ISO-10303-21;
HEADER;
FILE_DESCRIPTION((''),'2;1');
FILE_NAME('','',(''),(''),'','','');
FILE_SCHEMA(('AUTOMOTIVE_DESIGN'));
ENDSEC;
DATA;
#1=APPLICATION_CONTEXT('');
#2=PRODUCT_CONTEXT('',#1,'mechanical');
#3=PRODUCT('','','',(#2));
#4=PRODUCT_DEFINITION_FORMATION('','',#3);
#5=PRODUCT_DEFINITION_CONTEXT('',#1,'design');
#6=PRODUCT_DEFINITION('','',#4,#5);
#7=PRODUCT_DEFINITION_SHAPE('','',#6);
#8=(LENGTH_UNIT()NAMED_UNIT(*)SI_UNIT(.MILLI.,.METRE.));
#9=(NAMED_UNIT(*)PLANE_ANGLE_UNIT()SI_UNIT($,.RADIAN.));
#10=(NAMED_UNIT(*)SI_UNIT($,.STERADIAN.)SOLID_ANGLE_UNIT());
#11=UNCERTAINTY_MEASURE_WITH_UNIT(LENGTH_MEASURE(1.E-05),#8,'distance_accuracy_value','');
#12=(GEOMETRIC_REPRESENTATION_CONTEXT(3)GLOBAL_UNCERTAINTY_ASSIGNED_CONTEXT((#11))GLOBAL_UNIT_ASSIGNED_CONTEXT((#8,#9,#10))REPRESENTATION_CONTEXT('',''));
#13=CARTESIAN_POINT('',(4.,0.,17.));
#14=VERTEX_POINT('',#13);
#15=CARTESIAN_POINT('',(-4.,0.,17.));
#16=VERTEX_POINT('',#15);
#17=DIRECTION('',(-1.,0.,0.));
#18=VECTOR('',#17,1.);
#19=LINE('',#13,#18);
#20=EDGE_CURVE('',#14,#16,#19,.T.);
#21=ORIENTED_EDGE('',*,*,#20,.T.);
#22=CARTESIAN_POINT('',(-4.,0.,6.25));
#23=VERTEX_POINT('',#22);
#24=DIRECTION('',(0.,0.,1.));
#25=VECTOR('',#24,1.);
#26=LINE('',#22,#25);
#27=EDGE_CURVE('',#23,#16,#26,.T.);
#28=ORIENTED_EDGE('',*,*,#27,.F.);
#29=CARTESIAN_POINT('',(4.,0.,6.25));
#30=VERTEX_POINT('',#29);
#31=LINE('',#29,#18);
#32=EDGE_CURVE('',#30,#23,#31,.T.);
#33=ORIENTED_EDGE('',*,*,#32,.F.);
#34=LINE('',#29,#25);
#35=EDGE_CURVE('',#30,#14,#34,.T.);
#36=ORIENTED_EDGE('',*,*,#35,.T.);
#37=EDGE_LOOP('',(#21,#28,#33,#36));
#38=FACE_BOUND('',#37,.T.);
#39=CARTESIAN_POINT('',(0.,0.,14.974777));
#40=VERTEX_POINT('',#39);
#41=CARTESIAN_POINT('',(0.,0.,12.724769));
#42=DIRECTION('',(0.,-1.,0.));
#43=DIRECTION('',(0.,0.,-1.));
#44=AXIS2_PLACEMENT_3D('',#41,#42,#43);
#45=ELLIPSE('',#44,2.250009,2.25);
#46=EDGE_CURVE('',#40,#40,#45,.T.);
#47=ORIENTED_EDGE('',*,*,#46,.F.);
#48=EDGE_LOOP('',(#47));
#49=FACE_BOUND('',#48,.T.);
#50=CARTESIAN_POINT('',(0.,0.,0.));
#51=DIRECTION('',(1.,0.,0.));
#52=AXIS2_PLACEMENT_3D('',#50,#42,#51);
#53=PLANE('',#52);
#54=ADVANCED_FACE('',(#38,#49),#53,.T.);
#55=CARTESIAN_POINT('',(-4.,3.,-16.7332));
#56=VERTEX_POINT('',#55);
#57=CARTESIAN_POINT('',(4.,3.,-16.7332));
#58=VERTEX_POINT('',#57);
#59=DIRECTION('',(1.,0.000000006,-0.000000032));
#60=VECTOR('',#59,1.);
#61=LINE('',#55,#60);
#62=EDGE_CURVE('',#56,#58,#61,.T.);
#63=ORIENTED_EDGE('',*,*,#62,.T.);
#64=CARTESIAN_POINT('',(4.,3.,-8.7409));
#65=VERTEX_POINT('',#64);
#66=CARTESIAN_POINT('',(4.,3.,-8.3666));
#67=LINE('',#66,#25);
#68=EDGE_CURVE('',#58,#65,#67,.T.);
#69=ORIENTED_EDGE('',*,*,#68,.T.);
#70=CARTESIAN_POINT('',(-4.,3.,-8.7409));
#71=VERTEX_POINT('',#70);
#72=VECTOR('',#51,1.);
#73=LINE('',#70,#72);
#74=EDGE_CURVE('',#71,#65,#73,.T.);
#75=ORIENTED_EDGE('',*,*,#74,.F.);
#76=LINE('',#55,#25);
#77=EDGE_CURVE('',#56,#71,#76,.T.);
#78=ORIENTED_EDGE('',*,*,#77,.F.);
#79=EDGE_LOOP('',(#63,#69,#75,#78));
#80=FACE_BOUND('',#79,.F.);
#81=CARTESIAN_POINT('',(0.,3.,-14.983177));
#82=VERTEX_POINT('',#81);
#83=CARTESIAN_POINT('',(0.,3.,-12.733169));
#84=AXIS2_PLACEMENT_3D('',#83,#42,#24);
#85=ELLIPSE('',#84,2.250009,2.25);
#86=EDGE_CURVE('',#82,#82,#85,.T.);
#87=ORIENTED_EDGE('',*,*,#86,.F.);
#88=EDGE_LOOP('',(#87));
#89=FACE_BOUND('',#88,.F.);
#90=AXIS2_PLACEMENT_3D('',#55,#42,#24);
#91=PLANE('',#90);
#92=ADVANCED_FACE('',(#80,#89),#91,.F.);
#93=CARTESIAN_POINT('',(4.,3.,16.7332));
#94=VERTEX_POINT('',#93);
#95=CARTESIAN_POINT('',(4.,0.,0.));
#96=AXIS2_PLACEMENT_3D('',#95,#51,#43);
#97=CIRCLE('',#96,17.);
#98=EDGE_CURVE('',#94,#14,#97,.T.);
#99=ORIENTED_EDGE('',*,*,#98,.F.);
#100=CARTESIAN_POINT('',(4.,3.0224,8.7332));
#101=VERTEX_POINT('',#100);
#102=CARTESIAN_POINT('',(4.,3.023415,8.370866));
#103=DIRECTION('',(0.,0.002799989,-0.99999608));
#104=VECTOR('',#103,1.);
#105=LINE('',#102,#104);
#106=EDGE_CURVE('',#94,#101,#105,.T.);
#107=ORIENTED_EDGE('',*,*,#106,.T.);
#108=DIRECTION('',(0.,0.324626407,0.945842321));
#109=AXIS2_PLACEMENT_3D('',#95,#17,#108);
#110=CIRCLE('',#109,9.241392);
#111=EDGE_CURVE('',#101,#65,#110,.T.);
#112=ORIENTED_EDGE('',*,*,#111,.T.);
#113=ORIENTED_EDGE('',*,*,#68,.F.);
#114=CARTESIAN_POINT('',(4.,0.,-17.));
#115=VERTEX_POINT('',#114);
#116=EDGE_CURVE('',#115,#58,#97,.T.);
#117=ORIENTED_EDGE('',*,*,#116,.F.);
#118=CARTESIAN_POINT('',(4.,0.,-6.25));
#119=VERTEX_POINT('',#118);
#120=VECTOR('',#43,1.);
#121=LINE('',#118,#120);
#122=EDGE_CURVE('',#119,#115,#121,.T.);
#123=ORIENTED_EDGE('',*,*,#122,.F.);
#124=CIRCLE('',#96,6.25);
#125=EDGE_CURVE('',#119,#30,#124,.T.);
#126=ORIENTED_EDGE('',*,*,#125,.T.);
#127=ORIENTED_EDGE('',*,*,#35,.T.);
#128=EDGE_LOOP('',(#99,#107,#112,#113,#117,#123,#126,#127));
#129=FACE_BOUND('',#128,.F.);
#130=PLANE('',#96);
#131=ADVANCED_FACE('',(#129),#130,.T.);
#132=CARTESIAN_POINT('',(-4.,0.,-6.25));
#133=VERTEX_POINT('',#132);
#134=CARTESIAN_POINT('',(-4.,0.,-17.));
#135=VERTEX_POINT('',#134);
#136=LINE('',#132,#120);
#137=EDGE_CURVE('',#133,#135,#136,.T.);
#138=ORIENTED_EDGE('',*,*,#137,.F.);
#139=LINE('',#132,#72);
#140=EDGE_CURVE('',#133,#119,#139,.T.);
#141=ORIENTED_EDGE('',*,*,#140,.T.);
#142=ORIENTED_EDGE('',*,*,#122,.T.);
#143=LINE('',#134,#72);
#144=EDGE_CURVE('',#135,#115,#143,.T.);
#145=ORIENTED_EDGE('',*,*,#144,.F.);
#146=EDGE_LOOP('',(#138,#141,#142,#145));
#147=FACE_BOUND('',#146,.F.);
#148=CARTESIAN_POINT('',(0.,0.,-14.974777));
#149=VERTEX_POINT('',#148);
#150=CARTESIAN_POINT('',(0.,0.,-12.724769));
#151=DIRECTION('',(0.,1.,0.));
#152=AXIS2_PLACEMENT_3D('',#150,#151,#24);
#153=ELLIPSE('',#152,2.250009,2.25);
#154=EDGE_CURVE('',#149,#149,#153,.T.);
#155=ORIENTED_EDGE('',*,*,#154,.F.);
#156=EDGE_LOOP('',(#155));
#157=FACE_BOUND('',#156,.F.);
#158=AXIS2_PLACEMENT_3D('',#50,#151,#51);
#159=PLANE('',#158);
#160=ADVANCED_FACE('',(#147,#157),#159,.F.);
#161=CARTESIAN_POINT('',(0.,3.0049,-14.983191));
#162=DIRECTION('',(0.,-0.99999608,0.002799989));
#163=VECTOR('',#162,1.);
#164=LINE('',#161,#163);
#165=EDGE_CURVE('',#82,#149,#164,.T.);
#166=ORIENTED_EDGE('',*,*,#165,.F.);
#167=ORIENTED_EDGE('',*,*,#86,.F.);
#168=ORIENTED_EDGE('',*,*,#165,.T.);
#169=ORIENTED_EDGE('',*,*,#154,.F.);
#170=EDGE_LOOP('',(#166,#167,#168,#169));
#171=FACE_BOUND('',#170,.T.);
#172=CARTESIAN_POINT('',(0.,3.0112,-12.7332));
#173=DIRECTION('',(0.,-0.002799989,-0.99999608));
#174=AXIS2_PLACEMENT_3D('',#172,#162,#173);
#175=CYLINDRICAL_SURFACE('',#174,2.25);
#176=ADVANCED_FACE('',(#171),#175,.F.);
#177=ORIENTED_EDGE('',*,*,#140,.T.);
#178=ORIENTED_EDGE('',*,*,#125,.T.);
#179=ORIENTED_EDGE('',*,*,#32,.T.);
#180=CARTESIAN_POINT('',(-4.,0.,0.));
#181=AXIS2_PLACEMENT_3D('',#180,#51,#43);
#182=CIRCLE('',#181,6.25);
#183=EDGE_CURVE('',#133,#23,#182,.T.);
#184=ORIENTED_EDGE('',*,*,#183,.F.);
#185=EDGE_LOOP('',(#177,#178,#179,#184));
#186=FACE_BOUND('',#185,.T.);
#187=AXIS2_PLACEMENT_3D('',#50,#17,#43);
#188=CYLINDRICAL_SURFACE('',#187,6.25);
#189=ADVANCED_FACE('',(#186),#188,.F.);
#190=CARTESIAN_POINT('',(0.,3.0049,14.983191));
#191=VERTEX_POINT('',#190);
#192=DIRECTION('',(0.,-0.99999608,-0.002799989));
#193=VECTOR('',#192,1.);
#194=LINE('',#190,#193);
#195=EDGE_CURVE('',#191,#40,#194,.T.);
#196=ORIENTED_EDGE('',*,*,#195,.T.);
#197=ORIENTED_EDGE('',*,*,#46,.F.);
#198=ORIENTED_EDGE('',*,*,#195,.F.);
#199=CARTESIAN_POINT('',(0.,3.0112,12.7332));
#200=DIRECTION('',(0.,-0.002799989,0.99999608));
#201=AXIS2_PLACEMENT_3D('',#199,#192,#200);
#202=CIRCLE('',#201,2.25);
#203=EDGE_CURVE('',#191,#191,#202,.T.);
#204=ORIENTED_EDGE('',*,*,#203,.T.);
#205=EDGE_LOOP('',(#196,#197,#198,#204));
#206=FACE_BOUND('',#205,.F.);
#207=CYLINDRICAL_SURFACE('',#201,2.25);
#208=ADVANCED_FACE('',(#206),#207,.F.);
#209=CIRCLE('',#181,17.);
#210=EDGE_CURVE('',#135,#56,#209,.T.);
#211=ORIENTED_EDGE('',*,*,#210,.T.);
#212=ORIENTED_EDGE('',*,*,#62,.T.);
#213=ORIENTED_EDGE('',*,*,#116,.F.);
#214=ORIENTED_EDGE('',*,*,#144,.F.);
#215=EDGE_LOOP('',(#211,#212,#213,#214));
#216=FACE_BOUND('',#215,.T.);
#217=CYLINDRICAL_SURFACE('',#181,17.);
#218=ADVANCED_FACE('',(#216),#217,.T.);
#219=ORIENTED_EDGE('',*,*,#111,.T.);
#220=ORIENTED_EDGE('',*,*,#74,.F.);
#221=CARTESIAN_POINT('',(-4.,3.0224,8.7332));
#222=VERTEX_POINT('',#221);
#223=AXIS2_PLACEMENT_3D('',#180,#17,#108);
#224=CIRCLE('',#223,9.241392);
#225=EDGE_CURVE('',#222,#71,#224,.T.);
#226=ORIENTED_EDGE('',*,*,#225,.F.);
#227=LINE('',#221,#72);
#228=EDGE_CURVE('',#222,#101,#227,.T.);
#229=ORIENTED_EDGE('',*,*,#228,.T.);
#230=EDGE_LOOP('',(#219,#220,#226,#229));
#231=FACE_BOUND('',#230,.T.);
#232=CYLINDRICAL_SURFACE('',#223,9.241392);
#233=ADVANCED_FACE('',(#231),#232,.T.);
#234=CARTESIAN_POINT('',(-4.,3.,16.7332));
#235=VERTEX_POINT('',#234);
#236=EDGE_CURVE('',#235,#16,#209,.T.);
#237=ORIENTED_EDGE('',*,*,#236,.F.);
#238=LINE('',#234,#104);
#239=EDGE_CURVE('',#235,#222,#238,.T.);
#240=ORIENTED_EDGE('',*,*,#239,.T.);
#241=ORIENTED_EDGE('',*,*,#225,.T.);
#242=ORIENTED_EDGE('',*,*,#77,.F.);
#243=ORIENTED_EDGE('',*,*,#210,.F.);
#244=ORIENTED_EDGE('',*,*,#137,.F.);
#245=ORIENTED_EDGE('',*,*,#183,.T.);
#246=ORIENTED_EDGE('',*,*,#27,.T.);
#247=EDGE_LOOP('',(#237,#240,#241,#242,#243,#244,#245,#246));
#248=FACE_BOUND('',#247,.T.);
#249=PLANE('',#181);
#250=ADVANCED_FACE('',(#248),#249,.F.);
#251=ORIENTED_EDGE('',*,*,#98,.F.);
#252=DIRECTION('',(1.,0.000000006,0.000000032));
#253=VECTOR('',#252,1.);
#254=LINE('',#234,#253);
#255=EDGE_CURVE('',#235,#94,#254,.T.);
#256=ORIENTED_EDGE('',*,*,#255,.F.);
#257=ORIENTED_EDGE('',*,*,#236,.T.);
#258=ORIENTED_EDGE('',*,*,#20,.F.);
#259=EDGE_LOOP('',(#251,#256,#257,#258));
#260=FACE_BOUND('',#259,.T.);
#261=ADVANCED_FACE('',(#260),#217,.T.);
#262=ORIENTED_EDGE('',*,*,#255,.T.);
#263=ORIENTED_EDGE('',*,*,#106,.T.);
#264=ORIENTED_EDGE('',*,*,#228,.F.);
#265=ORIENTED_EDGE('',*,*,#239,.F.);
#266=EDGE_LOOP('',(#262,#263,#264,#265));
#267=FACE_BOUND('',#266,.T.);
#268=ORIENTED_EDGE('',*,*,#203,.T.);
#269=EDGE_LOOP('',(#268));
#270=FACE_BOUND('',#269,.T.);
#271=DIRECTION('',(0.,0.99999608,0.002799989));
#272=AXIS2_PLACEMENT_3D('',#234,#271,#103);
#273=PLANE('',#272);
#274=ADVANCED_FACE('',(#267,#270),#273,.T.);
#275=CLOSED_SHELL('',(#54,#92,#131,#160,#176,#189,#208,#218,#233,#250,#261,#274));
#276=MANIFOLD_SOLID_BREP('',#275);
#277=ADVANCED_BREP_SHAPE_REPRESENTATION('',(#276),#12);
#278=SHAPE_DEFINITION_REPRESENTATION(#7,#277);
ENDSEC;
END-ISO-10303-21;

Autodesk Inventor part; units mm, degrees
ref_plane "YZ Plane" through (0, 0, 0) normal (1, 0, 0) x (0, 1, 0)
ref_plane "XZ Plane" through (0, 0, 0) normal (0, 1, 0) x (-1, 0, 0)
ref_plane "XY Plane" through (0, 0, 0) normal (0, 0, 1) x (1, 0, 0)
sketch "スケッチ1" plane through (0, 0, 0) normal (0, 0, 1) x (1, 0, 0)
  line L0 (-5.6, 0) -> (5.6, 0) projected
  line L1 (0, 0) -> (0, 6.25) construction
  line L2 (0, 6.25) -> (-4, 6.25)
  line L3 (-4, 6.25) -> (-4, 17)
  line L4 (-4, 17) -> (0, 17)
  line L5 (0, 6.25) -> (4, 6.25)
  line L6 (4, 6.25) -> (4, 17)
  line L7 (4, 17) -> (0, 17)
  dimension "d32" = 6.25
  dimension "d33" = 4
  dimension "d34" = 10.75
revolve "回転1" add sketch "スケッチ1" angle 180 mid plane about axis through (-10, 0, 0) along (1, 0, 0)
sketch "スケッチ5" plane through (-4, 0, -17) normal (-1, 0, 0) x (0, 0, 1)
  line L0 (17, 0) -> (17, 3) construction
  arc A0 (25.7409, 3) -> (8.2591, 3) centre (17, 0) ccw
  arc A1 (33.7332, 3) -> (0.2668, 3) centre (17, 0) ccw
  line L1 (0.2668, 3) -> (8.2668, 3)
  line L2 (33.7332, 3) -> (25.7332, 3.0224)
  circle A2 centre (17, 0) radius 9.2341
  point P0 (8.2591, 3)
  dimension "d35" = 3
  dimension "d49" = 8
  dimension "d50" = 8
extrude "押し出し2" cut sketch "スケッチ5" against normal through all contours A0 L1 A1 L2
sketch "スケッチ7" plane through (-4, 3.0224, 8.7332) normal (0, 1, 0.0028) x (1, 0, 0)
  line L0 (8, -8) -> (0, -8) projected
  line L1 (0, -8) -> (0, 0) projected
  point P0 (4, 8.7247)
  point P1 (4, -4)
  dimension "d51" = 4
  dimension "d52" = 4
hole "穴4" at (0, 3.0112, 12.7332) direction (0, -1, -0.0028) diameter 4.5 end through all
mirror "ミラー3" about plane through (0, 0, 0) normal (0, 0, 1) of "穴4"
properties part number "probe-cover-clump" material "ステンレス鋼"
